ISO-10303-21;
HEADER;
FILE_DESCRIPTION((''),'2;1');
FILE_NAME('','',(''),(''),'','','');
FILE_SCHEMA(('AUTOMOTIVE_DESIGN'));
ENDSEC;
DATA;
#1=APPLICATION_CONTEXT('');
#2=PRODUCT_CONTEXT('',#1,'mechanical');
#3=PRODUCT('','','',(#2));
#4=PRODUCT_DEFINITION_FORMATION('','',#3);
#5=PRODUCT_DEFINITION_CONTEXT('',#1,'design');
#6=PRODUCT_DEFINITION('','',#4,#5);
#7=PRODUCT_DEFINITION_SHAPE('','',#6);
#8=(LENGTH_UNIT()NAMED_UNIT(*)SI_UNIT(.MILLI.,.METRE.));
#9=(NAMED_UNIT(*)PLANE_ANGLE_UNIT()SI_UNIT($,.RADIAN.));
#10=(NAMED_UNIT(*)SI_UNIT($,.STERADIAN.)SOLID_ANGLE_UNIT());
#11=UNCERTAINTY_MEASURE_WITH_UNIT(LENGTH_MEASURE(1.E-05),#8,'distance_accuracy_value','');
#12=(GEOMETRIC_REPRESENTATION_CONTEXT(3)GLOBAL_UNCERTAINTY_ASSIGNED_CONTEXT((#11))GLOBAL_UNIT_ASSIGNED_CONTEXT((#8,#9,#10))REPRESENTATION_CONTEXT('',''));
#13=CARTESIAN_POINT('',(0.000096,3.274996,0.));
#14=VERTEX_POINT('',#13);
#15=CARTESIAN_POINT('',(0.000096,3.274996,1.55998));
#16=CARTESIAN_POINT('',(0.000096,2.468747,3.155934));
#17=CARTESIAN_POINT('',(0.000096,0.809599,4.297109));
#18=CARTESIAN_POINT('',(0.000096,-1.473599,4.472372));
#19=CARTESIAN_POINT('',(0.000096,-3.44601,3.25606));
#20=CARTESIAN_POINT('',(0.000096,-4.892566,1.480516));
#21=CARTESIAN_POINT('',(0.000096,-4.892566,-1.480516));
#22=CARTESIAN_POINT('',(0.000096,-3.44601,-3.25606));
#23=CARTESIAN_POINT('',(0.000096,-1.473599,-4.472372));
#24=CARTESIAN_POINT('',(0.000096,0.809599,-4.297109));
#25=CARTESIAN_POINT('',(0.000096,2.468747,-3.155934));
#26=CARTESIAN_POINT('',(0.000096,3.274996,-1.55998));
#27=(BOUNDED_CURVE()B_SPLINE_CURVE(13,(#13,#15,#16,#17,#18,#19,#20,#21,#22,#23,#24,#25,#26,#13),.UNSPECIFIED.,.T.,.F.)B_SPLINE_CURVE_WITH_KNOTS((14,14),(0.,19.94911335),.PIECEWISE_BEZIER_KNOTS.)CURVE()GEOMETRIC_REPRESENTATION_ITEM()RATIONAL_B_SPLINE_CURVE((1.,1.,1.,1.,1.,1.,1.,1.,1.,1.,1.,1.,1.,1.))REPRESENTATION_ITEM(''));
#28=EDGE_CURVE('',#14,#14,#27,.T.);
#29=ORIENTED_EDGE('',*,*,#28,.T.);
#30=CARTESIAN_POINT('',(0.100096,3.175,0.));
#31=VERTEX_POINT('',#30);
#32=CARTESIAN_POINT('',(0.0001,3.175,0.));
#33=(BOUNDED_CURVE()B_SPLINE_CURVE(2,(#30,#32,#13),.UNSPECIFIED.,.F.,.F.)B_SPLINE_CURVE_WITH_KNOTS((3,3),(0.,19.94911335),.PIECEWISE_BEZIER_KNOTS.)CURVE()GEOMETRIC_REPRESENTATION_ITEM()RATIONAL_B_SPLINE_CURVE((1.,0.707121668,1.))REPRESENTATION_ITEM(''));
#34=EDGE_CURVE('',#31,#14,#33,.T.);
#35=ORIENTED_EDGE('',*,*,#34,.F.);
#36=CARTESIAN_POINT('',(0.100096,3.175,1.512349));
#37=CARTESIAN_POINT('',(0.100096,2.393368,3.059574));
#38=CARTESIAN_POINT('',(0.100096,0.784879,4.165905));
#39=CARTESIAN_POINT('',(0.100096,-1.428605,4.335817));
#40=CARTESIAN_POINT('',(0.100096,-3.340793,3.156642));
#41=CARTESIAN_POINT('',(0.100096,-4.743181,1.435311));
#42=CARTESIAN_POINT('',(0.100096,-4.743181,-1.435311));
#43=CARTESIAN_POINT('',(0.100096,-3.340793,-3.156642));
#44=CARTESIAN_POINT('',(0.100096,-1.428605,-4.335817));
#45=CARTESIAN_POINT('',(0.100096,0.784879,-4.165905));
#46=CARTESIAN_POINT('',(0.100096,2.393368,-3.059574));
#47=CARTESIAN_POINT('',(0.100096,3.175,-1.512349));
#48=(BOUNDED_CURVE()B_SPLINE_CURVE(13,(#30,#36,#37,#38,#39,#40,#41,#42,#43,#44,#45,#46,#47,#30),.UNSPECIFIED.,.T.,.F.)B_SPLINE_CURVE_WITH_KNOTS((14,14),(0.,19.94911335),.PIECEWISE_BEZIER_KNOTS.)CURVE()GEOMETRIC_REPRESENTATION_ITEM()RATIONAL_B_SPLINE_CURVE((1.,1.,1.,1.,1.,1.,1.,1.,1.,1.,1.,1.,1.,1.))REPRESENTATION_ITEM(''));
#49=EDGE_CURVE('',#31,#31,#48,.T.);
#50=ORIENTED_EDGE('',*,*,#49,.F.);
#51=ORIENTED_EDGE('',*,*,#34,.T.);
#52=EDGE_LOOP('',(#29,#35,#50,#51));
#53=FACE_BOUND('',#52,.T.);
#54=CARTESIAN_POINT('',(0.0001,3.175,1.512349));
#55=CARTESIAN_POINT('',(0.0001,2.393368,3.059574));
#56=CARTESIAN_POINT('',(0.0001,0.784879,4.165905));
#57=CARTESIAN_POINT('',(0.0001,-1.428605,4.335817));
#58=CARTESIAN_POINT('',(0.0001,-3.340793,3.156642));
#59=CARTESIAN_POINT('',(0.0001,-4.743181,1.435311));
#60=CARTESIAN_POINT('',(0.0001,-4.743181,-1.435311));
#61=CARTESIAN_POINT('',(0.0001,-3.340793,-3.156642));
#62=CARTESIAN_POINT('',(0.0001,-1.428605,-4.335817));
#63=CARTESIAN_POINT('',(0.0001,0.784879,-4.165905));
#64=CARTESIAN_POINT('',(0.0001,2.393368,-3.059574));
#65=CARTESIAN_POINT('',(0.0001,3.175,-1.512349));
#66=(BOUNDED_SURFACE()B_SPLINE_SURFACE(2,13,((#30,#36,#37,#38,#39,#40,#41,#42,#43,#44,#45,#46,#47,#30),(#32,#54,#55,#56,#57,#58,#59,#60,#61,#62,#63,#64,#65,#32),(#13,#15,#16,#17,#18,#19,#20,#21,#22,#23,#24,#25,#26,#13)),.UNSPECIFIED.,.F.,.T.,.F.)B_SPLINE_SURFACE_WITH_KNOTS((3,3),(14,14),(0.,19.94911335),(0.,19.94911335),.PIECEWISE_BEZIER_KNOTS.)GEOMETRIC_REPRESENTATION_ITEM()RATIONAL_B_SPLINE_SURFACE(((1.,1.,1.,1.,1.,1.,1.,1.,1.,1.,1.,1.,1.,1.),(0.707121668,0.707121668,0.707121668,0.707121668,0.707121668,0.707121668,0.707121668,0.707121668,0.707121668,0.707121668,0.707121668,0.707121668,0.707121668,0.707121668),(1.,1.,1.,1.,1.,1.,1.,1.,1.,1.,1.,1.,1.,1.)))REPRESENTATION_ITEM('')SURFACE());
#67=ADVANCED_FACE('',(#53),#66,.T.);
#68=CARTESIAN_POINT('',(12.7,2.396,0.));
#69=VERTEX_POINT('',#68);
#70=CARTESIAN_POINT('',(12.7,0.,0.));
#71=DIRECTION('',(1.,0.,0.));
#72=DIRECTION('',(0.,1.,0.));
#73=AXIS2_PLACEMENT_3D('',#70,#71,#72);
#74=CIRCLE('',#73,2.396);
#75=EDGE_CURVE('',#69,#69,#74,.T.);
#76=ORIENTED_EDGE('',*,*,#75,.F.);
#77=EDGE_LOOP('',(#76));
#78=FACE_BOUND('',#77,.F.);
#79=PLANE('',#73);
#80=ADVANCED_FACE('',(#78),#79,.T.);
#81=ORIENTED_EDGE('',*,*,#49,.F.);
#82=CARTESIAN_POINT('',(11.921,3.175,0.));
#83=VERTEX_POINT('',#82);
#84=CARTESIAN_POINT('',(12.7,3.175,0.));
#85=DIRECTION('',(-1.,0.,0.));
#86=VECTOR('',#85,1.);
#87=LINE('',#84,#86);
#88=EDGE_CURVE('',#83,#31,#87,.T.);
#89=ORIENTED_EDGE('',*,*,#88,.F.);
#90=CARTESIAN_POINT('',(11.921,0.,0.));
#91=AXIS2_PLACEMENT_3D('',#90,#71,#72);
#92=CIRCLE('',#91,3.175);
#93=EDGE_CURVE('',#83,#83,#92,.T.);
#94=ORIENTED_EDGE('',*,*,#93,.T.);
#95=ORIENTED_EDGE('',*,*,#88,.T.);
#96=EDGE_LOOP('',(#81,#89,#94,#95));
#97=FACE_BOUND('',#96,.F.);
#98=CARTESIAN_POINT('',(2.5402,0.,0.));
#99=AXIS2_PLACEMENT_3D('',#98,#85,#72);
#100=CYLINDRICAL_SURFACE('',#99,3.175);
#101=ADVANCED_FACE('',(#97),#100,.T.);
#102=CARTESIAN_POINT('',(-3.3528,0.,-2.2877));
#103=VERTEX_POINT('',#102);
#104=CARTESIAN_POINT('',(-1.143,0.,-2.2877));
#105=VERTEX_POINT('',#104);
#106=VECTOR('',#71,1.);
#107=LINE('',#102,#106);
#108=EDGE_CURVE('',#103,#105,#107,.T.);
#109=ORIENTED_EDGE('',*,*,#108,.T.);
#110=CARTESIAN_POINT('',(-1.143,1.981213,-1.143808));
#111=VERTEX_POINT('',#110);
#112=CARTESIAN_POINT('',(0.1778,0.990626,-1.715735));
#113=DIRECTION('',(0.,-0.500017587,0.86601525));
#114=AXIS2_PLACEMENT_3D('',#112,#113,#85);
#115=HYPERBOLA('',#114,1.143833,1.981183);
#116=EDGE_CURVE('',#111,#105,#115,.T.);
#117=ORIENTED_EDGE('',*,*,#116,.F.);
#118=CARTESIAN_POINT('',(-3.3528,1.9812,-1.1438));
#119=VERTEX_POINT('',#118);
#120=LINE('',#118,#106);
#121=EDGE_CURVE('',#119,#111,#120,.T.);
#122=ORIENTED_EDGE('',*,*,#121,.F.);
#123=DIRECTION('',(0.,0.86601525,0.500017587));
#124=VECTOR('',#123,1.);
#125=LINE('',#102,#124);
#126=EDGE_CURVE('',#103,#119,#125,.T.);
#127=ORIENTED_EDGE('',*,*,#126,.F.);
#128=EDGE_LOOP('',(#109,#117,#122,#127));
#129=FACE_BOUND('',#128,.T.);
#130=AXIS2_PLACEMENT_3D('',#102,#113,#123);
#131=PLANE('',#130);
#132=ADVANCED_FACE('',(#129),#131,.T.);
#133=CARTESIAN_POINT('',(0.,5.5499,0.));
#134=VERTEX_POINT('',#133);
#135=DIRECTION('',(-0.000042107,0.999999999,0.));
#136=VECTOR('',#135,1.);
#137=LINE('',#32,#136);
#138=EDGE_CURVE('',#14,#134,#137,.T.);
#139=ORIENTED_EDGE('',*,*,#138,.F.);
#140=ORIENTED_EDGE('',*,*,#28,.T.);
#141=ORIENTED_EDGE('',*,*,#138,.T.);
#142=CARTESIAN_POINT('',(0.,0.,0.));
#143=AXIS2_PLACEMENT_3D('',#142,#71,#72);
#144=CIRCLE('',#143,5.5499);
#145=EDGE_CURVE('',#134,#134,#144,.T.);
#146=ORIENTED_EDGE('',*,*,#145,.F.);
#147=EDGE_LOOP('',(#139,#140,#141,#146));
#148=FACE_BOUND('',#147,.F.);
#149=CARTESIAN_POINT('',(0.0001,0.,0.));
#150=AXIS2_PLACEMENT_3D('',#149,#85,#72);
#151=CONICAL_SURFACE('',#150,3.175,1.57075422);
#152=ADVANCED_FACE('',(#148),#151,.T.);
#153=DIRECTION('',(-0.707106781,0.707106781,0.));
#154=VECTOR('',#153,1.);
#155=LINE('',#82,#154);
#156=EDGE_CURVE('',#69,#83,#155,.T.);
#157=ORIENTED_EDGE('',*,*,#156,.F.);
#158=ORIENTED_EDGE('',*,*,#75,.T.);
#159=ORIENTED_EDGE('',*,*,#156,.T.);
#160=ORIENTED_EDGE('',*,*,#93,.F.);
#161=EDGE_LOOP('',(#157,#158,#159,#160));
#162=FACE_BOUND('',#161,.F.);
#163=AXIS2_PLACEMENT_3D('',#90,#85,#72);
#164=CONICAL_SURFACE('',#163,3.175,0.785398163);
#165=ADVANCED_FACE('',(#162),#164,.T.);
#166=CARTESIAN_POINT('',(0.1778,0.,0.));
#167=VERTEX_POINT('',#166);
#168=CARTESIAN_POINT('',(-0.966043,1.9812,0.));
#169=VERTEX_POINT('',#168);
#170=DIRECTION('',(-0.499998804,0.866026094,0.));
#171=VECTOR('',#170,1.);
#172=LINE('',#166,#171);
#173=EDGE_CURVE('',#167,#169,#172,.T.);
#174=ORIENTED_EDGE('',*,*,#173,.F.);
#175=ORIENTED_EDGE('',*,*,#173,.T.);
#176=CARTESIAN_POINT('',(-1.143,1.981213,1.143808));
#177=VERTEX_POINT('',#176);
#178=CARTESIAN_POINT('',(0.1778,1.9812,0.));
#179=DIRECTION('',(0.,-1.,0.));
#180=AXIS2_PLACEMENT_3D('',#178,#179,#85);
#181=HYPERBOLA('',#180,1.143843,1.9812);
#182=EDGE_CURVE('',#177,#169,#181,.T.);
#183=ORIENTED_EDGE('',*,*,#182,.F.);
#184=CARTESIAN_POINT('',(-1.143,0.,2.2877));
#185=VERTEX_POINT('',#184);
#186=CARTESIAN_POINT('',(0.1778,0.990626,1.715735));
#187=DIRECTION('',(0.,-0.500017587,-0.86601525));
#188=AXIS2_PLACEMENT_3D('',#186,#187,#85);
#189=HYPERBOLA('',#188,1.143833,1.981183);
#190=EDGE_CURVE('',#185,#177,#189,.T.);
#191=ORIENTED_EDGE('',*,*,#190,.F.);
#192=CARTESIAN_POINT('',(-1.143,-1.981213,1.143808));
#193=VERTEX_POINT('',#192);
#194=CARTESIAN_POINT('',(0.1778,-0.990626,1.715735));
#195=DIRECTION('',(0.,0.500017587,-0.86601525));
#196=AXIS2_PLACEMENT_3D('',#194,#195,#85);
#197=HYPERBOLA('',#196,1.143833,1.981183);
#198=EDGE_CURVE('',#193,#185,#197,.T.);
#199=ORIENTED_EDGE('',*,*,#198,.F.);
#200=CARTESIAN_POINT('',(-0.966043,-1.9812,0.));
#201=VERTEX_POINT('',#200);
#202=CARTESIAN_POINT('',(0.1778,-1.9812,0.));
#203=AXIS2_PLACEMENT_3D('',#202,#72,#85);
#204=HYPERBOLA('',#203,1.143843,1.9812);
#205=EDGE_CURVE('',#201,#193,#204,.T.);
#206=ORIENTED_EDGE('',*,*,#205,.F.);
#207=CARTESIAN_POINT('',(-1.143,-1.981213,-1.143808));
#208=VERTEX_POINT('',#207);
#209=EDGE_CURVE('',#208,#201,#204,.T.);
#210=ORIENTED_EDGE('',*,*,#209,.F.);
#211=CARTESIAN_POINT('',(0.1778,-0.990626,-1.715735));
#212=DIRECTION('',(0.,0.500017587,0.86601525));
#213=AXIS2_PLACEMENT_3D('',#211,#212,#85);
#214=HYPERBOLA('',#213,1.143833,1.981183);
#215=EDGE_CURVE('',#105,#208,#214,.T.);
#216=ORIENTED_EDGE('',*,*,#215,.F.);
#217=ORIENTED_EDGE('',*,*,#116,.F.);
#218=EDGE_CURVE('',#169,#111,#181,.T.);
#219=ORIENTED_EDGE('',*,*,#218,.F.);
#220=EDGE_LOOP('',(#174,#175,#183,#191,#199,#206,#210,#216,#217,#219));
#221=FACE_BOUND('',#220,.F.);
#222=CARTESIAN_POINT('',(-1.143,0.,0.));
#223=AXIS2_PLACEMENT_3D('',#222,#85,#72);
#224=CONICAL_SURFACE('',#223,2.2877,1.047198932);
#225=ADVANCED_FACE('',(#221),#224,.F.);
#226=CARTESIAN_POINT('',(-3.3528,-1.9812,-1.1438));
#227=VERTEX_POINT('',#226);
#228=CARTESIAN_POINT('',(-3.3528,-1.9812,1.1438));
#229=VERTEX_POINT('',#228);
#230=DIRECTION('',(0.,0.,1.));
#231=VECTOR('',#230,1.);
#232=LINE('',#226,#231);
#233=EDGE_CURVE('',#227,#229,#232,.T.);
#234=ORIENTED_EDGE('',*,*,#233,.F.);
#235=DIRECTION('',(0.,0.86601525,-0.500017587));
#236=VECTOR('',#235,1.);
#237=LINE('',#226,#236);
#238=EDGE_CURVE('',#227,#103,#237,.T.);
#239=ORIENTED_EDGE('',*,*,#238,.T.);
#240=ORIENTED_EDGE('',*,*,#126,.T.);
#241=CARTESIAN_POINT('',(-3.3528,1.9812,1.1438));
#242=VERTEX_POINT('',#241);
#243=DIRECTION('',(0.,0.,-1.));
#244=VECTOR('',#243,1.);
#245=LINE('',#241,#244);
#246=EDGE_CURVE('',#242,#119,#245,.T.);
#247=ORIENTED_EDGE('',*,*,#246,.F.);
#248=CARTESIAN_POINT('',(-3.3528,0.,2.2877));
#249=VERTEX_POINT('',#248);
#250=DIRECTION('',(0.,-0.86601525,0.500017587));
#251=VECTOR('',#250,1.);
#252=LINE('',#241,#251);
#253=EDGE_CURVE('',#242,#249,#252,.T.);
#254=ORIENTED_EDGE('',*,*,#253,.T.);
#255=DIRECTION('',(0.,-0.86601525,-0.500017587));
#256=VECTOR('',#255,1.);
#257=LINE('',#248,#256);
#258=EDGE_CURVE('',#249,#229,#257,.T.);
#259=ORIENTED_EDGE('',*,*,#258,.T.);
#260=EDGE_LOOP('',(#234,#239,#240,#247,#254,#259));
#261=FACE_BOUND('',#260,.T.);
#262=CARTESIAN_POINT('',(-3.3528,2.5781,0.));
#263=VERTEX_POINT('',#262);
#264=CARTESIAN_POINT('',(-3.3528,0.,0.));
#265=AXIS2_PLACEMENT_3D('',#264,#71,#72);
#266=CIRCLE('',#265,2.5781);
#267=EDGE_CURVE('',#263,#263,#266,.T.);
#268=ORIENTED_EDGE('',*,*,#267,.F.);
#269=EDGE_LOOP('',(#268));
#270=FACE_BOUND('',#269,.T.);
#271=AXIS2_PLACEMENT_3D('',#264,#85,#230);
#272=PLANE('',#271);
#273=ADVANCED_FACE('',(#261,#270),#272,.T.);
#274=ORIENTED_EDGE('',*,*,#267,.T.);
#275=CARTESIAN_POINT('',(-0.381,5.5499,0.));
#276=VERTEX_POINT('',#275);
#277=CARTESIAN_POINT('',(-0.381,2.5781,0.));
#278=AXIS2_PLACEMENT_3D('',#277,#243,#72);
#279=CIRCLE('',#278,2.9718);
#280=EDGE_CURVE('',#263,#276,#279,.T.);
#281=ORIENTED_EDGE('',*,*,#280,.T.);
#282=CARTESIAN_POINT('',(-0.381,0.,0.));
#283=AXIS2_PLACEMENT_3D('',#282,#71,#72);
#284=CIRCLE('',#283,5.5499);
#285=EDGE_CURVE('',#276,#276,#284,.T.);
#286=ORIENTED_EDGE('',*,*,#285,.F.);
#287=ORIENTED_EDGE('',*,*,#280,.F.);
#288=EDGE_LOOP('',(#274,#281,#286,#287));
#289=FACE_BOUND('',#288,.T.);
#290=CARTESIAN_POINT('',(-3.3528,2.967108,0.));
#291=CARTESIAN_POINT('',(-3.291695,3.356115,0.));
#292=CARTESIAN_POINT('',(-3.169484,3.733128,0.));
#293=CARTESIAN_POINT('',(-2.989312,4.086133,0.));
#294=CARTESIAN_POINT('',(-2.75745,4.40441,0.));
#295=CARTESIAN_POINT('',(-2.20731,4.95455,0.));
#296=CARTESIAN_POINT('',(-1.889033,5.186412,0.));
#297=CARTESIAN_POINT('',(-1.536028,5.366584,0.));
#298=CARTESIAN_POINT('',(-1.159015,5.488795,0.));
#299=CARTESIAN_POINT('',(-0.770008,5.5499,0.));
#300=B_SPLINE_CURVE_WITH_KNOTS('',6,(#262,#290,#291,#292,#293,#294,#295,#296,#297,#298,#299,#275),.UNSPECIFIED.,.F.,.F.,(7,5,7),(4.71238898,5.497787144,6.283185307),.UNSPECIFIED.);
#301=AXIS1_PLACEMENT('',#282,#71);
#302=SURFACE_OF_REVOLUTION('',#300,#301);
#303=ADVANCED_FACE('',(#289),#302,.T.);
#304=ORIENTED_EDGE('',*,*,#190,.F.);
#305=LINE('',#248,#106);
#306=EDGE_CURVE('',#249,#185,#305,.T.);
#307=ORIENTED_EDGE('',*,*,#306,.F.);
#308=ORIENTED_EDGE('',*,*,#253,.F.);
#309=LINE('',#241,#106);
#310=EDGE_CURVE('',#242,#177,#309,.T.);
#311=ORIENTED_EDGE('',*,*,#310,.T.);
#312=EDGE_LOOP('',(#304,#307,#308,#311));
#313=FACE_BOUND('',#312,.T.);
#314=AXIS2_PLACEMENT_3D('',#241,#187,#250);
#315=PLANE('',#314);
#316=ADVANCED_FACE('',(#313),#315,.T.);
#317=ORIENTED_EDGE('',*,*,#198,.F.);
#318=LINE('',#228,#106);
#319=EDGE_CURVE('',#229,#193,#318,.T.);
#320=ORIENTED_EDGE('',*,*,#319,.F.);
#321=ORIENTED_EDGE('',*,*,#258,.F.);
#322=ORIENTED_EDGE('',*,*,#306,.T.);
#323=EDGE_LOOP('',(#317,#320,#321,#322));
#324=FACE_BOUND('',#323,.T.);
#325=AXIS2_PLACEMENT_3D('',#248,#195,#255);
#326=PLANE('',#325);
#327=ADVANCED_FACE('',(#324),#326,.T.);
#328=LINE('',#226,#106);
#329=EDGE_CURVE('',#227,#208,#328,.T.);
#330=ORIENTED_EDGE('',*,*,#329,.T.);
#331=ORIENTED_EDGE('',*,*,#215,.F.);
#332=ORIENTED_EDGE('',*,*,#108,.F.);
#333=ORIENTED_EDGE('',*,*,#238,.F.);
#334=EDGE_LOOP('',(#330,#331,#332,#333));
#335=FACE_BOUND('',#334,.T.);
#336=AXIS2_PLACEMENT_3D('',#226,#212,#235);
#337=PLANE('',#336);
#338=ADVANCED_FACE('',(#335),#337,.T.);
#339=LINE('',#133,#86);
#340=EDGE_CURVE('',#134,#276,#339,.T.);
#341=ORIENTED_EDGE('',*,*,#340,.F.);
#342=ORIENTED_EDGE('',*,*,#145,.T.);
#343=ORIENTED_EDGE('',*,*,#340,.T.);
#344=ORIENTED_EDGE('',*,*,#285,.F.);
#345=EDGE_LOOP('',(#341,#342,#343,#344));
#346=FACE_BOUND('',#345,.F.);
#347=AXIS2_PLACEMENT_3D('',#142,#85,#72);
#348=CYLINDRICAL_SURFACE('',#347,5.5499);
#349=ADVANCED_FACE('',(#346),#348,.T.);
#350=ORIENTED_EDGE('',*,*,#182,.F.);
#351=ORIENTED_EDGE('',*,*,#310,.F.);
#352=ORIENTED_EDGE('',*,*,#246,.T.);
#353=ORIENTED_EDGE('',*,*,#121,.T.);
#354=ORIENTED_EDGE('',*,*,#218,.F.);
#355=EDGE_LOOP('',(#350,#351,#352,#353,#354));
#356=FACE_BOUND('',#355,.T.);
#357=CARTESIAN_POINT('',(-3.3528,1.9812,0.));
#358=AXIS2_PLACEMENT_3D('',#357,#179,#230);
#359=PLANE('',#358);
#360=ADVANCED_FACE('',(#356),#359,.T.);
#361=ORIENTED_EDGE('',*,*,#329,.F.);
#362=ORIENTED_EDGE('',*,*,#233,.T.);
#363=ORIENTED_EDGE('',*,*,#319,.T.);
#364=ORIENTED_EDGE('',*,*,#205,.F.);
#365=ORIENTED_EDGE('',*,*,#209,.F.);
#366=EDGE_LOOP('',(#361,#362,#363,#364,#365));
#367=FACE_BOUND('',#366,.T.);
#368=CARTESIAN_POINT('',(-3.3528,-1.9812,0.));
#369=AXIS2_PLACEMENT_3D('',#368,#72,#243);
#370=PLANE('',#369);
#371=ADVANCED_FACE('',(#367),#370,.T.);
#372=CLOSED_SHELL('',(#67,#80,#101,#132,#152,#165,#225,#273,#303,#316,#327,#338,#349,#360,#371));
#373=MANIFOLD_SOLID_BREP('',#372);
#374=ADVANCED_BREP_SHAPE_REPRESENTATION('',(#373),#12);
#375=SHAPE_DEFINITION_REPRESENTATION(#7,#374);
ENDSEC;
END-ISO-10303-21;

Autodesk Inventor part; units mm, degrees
ref_plane "YZ Plane" through (0, 0, 0) normal (1, 0, 0) x (0, 1, 0)
ref_plane "XZ Plane" through (0, 0, 0) normal (0, 1, 0) x (-1, 0, 0)
sketch "Sketch1" plane through (0, 0, 0) normal (0, 0, 1) x (1, 0, 0)
  line L0 (0.1778, 0) -> (12.7, 0)
  line L1 (12.7, 0) -> (12.7, 3.175)
  line L2 (12.7, 3.175) -> (2.5402, 3.175)
  line L3 (2.5402, 3.175) -> (0.0001, 3.175)
  line L4 (0.0001, 3.175) -> (0, 3.175)
  line L5 (0, 3.175) -> (0, 5.5499)
  line L6 (0, 5.5499) -> (-3.3528, 5.5499)
  line L7 (-3.3528, 5.5499) -> (-3.3528, 2.2877)
  line L8 (-3.3528, 2.2877) -> (-1.143, 2.2877)
  line L9 (-1.143, 2.2877) -> (0.1778, 0)
  line L10 (-6.5634, 0) -> (15.9106, 0) projected
  line L11 (0, -1.11) -> (0, 6.6599) projected
  line L12 (2.5402, 3.175) -> (0, 3.175) construction
  dimension "d1" = 10.1598
  dimension "d2" = 2.5401
  dimension "d3" = 3.3528
  dimension "d4" = 2.2098
  dimension "d5" = 60
  dimension "d6" = 6.35
  dimension "d7" = 6.35
  dimension "d8" = 4.5754
  dimension "d9" = 11.0998
  dimension "d26" = 12.7
revolve "Body" add sketch "Sketch1" angle 360 about axis through (0.1778, 0, 0) along (1, 0, 0) contours L9 L11 L3 L2 L1 L0 | L9 L8 L7 L6 L5 L11
sketch "Sketch2" plane through (-3.3528, 0, 0) normal (-1, 0, 0) x (0, 0, 1)
  circle A0 centre (0, 0) radius 2.2877 projected
  line L0 (0, -7.7699) -> (0, 7.7699) projected
  line L1 (-7.7699, 0) -> (7.7699, 0) projected
  line L2 (2.2877, 0) -> (1.1438, -1.9812)
  line L3 (1.1438, -1.9812) -> (-1.1438, -1.9812)
  line L4 (-1.1438, -1.9812) -> (-2.2877, 0)
  line L5 (-2.2877, 0) -> (-1.1438, 1.9812)
  line L6 (-1.1438, 1.9812) -> (1.1438, 1.9812)
  line L7 (1.1438, 1.9812) -> (2.2877, 0)
  point P0 (0, 0)
extrude "Slot" add sketch "Sketch2" against normal up to next contours L7 A0 | A0 L2 | L6 L0 A0 | A0 L0 L3 | L0 L6 A0 | A0 L3 L0 | L4 A0 | A0 L5
fillet "Fillet1" radius 2.9718 1 edges at (-3.3528, -5.5499, 0)
thread "Thread" size "1/4-20 UNC" class "2A" standard "ANSI Unified Screw Threads" length 10.1598
chamfer "Chamfer1" distance 0.779 distance2 0.779 1 edges at (12.7, -3.175, 0) measured on face at (12.7, -1.2091, -0.9896)
ref_plane "Work Plane1" through (29, 0, 0) normal (0, -1, 0) x (1, 0, 0)
fillet "Fillet2" radius 0.1 1 edges at (0.0001, -3.175, 0)
equation "\"d1\" = GEL"
equation "\"d3\" = KOH"
equation "\"d4\" = INTI"
equation "\"d6\" = GD"
equation "\"d7\" = BDM"
equation "\"d8\" = 1.1547 * SW"
equation "\"d9\" = KOD"
equation "\"d26\" = NLG"
equation "\"d30\" = R"
equation "\"d17\" = RR"
equation "\"d13\" = GEL"
equation "\"d15\" = -0.5 * SPD + 0.5 * GD"
equation "\"d16\" = GUL"
equation "\"GD\" = NND"
equation "\"NLG\" = 12.7"
equation "\"GEL\" = 10.1598"
equation "\"KOD\" = 11.0998"
equation "\"KOH\" = 3.3528"
equation "\"INTI\" = 2.2098"
equation "\"GAL\" = 2.54"
equation "\"GUL\" = 0.77902"
equation "\"BDM\" = NND"
equation "\"SW\" = 3.9624"
equation "\"RR\" = 2.9718"
equation "\"SPD\" = 4.79196"
equation "\"R\" = 0.1"
equation "\"TOA\" = 30deg"
equation "\"GD1\" = SPD"
equation "\"THREADDIA\" = 6.35"
equation "\"KOH1\" = 0.7874"
equation "\"NND\" = 6.35"
equation "\"E0\" = 4.57657"
properties part number "am-1039" material "Steel, Mild"
